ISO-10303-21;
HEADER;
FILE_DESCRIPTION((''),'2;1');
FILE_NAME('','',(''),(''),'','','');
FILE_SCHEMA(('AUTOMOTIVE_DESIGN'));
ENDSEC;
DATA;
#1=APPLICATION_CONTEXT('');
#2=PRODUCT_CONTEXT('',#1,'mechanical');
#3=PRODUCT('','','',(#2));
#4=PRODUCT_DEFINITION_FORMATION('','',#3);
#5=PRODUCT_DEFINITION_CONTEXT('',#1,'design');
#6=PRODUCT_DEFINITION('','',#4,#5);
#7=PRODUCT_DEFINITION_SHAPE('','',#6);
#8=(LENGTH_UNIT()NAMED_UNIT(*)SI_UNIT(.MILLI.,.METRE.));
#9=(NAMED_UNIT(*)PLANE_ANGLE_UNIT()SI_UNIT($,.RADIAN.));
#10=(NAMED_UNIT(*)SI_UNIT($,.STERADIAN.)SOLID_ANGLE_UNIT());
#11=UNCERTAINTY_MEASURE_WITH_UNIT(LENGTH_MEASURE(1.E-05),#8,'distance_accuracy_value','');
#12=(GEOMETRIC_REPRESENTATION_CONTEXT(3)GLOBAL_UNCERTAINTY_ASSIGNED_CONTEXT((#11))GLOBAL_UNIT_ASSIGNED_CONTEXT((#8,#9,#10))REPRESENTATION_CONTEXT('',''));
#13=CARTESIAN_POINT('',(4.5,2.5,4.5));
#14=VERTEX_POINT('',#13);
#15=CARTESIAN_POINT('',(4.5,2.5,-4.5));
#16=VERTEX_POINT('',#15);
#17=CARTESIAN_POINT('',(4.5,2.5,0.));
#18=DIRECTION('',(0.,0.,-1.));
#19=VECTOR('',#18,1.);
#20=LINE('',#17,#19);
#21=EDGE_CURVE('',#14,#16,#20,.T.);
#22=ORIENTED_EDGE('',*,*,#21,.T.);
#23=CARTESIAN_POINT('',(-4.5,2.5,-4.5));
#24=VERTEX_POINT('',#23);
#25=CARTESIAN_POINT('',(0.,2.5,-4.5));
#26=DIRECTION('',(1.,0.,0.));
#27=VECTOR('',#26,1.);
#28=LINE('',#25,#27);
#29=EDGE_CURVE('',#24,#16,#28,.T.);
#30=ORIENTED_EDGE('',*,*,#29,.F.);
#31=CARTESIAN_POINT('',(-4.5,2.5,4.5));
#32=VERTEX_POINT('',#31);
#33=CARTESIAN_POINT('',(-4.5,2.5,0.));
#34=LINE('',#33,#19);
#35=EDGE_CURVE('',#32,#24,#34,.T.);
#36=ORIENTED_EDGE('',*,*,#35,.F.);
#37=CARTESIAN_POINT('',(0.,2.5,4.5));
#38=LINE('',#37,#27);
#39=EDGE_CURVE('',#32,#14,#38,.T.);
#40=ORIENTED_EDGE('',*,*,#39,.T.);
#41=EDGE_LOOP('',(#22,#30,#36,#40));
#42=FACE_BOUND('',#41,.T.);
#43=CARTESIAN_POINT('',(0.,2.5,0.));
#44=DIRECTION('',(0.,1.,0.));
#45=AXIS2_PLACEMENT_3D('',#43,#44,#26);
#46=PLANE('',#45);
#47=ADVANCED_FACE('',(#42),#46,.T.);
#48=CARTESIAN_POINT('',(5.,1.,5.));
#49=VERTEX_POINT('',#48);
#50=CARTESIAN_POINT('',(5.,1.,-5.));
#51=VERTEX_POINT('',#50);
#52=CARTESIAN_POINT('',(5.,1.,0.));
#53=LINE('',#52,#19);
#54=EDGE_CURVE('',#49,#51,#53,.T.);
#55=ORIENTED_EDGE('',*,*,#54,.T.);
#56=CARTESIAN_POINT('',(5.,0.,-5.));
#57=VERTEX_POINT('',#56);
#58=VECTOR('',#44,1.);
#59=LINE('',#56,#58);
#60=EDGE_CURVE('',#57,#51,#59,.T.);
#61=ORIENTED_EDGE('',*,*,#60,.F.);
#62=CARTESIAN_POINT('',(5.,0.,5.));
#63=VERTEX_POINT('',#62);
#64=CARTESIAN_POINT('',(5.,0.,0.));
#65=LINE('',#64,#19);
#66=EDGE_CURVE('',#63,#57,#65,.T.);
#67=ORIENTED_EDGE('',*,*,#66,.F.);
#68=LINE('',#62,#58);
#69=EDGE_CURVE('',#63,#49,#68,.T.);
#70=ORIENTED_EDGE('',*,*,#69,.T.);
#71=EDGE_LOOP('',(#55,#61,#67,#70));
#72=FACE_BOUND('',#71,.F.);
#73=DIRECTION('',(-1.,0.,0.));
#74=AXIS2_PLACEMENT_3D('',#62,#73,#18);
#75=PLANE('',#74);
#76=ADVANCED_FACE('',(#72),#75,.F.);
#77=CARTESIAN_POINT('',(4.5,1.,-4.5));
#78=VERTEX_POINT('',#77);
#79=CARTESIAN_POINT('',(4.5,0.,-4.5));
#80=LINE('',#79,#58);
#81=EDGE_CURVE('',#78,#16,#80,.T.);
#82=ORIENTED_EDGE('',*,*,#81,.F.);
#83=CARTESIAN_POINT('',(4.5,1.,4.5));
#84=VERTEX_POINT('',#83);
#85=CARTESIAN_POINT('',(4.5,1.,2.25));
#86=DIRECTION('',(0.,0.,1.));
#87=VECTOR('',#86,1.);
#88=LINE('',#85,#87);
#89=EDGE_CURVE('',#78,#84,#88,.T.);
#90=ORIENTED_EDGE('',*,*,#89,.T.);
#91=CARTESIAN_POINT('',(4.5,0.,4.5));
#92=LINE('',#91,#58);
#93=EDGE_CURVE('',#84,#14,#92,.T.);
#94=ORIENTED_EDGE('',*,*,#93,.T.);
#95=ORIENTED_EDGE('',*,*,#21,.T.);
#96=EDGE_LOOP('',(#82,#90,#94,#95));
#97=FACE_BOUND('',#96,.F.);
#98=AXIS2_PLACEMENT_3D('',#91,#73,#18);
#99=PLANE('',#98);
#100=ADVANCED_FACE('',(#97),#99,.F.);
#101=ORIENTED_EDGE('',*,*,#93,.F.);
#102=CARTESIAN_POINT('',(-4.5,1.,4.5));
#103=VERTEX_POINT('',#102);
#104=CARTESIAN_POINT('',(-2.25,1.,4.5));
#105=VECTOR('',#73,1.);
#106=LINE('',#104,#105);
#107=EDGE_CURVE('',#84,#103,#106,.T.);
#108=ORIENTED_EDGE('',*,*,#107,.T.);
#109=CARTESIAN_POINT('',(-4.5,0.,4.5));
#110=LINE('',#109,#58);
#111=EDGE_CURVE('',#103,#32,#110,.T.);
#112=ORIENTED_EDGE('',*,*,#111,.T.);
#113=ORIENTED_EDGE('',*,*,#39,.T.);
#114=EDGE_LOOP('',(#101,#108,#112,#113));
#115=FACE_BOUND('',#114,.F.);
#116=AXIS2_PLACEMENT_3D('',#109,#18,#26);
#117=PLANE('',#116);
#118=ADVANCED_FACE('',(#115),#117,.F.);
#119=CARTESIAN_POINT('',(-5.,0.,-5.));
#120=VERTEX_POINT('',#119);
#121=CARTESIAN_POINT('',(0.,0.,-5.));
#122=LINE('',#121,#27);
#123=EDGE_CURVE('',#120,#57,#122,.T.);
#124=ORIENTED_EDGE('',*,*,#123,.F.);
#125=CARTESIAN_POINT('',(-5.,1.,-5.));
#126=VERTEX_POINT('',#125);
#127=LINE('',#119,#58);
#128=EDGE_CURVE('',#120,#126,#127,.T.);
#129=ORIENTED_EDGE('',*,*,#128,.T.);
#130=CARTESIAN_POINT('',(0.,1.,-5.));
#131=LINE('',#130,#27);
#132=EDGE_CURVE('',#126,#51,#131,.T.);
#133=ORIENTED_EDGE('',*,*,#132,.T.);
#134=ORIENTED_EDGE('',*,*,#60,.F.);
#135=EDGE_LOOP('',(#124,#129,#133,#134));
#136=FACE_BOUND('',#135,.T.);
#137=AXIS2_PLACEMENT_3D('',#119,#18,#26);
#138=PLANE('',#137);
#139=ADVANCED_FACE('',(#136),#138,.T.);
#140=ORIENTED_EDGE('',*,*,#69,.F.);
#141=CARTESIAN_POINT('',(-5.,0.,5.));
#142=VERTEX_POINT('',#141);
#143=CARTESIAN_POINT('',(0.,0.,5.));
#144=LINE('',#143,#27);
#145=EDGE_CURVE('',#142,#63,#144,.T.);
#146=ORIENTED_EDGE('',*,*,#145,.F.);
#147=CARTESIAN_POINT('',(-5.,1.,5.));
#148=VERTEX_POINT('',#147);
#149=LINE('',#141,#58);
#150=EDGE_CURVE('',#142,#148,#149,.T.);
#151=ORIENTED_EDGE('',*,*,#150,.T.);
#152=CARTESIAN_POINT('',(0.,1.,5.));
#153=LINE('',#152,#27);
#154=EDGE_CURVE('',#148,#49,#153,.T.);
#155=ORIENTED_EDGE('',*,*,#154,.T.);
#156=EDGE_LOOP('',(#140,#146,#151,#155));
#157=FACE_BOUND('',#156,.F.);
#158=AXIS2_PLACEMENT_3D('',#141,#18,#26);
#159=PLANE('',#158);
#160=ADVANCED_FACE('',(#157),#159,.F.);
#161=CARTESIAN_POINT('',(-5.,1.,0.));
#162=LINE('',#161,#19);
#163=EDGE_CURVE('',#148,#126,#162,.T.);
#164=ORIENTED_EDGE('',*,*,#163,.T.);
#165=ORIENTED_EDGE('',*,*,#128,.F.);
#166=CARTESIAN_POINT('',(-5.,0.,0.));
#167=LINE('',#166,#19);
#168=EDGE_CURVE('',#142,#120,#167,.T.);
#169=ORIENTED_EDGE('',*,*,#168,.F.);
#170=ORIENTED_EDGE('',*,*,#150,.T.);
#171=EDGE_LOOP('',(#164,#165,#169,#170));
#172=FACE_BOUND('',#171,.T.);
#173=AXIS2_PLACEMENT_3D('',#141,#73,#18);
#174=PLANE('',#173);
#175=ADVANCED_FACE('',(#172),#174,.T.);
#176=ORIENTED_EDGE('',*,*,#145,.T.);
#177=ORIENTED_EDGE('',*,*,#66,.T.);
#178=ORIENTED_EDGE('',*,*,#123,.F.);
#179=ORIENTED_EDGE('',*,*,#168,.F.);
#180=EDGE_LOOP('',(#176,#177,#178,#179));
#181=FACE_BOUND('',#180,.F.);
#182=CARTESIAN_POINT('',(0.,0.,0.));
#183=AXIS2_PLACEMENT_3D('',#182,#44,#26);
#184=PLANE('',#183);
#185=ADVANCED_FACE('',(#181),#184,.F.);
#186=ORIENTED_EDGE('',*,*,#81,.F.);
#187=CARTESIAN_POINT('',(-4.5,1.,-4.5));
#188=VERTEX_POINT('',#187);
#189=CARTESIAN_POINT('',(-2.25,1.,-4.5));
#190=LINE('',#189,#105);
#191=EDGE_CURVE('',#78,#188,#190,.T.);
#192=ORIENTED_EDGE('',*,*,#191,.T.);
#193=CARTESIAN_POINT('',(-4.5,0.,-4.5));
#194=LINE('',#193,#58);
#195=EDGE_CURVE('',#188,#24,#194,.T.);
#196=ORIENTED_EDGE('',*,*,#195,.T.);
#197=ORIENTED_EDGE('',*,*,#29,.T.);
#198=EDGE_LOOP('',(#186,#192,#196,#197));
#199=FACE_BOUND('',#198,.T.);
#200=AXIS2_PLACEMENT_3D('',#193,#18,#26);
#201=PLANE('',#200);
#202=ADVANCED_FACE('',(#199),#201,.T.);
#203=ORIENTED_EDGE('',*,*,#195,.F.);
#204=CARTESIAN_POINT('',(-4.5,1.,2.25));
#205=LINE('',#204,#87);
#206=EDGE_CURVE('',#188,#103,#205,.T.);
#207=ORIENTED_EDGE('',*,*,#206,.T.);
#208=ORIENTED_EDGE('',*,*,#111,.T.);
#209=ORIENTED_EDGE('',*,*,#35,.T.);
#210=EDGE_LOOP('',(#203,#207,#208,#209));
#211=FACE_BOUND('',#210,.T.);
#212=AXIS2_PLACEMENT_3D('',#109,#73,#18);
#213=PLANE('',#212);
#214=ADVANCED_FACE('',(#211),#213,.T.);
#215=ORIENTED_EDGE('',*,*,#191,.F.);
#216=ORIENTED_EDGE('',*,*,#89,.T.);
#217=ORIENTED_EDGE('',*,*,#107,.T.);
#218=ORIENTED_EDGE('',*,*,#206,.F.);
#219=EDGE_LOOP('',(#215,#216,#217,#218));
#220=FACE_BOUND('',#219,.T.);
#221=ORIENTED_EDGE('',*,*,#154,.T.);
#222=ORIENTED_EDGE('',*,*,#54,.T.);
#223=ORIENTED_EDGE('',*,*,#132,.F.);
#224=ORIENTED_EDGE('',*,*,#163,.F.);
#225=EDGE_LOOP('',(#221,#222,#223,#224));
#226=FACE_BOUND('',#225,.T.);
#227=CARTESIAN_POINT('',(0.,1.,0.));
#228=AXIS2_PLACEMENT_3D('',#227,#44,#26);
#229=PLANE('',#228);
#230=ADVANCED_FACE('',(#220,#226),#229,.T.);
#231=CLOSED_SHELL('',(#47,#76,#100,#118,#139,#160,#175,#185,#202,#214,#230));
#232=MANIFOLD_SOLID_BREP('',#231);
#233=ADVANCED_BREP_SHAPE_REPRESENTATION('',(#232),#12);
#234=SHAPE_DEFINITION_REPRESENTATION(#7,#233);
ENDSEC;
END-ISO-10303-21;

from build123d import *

# Parameters (mm, degrees)
SKETCH_1_W      = 10
SKETCH_1_H      = 10
EXTRUDE_1_DEPTH = 1
SKETCH_2_W      = 9
SKETCH_2_H      = 9
EXTRUDE_2_DEPTH = 2.5


with BuildPart() as part:
    # 草图1 → 凸台-拉伸1 (new body)
    with BuildSketch(Plane(origin=(0, 0, 0), x_dir=(1, 0, 0), z_dir=(0, 1, 0))):
        Rectangle(SKETCH_1_W, SKETCH_1_H)
    extrude(amount=EXTRUDE_1_DEPTH)

    # 草图2 → 凸台-拉伸2 (add)
    with BuildSketch(Plane(origin=(0, 0, 0), x_dir=(1, 0, 0), z_dir=(0, 1, 0))):
        Rectangle(SKETCH_2_W, SKETCH_2_H)
    extrude(amount=EXTRUDE_2_DEPTH)


solid = part.part
